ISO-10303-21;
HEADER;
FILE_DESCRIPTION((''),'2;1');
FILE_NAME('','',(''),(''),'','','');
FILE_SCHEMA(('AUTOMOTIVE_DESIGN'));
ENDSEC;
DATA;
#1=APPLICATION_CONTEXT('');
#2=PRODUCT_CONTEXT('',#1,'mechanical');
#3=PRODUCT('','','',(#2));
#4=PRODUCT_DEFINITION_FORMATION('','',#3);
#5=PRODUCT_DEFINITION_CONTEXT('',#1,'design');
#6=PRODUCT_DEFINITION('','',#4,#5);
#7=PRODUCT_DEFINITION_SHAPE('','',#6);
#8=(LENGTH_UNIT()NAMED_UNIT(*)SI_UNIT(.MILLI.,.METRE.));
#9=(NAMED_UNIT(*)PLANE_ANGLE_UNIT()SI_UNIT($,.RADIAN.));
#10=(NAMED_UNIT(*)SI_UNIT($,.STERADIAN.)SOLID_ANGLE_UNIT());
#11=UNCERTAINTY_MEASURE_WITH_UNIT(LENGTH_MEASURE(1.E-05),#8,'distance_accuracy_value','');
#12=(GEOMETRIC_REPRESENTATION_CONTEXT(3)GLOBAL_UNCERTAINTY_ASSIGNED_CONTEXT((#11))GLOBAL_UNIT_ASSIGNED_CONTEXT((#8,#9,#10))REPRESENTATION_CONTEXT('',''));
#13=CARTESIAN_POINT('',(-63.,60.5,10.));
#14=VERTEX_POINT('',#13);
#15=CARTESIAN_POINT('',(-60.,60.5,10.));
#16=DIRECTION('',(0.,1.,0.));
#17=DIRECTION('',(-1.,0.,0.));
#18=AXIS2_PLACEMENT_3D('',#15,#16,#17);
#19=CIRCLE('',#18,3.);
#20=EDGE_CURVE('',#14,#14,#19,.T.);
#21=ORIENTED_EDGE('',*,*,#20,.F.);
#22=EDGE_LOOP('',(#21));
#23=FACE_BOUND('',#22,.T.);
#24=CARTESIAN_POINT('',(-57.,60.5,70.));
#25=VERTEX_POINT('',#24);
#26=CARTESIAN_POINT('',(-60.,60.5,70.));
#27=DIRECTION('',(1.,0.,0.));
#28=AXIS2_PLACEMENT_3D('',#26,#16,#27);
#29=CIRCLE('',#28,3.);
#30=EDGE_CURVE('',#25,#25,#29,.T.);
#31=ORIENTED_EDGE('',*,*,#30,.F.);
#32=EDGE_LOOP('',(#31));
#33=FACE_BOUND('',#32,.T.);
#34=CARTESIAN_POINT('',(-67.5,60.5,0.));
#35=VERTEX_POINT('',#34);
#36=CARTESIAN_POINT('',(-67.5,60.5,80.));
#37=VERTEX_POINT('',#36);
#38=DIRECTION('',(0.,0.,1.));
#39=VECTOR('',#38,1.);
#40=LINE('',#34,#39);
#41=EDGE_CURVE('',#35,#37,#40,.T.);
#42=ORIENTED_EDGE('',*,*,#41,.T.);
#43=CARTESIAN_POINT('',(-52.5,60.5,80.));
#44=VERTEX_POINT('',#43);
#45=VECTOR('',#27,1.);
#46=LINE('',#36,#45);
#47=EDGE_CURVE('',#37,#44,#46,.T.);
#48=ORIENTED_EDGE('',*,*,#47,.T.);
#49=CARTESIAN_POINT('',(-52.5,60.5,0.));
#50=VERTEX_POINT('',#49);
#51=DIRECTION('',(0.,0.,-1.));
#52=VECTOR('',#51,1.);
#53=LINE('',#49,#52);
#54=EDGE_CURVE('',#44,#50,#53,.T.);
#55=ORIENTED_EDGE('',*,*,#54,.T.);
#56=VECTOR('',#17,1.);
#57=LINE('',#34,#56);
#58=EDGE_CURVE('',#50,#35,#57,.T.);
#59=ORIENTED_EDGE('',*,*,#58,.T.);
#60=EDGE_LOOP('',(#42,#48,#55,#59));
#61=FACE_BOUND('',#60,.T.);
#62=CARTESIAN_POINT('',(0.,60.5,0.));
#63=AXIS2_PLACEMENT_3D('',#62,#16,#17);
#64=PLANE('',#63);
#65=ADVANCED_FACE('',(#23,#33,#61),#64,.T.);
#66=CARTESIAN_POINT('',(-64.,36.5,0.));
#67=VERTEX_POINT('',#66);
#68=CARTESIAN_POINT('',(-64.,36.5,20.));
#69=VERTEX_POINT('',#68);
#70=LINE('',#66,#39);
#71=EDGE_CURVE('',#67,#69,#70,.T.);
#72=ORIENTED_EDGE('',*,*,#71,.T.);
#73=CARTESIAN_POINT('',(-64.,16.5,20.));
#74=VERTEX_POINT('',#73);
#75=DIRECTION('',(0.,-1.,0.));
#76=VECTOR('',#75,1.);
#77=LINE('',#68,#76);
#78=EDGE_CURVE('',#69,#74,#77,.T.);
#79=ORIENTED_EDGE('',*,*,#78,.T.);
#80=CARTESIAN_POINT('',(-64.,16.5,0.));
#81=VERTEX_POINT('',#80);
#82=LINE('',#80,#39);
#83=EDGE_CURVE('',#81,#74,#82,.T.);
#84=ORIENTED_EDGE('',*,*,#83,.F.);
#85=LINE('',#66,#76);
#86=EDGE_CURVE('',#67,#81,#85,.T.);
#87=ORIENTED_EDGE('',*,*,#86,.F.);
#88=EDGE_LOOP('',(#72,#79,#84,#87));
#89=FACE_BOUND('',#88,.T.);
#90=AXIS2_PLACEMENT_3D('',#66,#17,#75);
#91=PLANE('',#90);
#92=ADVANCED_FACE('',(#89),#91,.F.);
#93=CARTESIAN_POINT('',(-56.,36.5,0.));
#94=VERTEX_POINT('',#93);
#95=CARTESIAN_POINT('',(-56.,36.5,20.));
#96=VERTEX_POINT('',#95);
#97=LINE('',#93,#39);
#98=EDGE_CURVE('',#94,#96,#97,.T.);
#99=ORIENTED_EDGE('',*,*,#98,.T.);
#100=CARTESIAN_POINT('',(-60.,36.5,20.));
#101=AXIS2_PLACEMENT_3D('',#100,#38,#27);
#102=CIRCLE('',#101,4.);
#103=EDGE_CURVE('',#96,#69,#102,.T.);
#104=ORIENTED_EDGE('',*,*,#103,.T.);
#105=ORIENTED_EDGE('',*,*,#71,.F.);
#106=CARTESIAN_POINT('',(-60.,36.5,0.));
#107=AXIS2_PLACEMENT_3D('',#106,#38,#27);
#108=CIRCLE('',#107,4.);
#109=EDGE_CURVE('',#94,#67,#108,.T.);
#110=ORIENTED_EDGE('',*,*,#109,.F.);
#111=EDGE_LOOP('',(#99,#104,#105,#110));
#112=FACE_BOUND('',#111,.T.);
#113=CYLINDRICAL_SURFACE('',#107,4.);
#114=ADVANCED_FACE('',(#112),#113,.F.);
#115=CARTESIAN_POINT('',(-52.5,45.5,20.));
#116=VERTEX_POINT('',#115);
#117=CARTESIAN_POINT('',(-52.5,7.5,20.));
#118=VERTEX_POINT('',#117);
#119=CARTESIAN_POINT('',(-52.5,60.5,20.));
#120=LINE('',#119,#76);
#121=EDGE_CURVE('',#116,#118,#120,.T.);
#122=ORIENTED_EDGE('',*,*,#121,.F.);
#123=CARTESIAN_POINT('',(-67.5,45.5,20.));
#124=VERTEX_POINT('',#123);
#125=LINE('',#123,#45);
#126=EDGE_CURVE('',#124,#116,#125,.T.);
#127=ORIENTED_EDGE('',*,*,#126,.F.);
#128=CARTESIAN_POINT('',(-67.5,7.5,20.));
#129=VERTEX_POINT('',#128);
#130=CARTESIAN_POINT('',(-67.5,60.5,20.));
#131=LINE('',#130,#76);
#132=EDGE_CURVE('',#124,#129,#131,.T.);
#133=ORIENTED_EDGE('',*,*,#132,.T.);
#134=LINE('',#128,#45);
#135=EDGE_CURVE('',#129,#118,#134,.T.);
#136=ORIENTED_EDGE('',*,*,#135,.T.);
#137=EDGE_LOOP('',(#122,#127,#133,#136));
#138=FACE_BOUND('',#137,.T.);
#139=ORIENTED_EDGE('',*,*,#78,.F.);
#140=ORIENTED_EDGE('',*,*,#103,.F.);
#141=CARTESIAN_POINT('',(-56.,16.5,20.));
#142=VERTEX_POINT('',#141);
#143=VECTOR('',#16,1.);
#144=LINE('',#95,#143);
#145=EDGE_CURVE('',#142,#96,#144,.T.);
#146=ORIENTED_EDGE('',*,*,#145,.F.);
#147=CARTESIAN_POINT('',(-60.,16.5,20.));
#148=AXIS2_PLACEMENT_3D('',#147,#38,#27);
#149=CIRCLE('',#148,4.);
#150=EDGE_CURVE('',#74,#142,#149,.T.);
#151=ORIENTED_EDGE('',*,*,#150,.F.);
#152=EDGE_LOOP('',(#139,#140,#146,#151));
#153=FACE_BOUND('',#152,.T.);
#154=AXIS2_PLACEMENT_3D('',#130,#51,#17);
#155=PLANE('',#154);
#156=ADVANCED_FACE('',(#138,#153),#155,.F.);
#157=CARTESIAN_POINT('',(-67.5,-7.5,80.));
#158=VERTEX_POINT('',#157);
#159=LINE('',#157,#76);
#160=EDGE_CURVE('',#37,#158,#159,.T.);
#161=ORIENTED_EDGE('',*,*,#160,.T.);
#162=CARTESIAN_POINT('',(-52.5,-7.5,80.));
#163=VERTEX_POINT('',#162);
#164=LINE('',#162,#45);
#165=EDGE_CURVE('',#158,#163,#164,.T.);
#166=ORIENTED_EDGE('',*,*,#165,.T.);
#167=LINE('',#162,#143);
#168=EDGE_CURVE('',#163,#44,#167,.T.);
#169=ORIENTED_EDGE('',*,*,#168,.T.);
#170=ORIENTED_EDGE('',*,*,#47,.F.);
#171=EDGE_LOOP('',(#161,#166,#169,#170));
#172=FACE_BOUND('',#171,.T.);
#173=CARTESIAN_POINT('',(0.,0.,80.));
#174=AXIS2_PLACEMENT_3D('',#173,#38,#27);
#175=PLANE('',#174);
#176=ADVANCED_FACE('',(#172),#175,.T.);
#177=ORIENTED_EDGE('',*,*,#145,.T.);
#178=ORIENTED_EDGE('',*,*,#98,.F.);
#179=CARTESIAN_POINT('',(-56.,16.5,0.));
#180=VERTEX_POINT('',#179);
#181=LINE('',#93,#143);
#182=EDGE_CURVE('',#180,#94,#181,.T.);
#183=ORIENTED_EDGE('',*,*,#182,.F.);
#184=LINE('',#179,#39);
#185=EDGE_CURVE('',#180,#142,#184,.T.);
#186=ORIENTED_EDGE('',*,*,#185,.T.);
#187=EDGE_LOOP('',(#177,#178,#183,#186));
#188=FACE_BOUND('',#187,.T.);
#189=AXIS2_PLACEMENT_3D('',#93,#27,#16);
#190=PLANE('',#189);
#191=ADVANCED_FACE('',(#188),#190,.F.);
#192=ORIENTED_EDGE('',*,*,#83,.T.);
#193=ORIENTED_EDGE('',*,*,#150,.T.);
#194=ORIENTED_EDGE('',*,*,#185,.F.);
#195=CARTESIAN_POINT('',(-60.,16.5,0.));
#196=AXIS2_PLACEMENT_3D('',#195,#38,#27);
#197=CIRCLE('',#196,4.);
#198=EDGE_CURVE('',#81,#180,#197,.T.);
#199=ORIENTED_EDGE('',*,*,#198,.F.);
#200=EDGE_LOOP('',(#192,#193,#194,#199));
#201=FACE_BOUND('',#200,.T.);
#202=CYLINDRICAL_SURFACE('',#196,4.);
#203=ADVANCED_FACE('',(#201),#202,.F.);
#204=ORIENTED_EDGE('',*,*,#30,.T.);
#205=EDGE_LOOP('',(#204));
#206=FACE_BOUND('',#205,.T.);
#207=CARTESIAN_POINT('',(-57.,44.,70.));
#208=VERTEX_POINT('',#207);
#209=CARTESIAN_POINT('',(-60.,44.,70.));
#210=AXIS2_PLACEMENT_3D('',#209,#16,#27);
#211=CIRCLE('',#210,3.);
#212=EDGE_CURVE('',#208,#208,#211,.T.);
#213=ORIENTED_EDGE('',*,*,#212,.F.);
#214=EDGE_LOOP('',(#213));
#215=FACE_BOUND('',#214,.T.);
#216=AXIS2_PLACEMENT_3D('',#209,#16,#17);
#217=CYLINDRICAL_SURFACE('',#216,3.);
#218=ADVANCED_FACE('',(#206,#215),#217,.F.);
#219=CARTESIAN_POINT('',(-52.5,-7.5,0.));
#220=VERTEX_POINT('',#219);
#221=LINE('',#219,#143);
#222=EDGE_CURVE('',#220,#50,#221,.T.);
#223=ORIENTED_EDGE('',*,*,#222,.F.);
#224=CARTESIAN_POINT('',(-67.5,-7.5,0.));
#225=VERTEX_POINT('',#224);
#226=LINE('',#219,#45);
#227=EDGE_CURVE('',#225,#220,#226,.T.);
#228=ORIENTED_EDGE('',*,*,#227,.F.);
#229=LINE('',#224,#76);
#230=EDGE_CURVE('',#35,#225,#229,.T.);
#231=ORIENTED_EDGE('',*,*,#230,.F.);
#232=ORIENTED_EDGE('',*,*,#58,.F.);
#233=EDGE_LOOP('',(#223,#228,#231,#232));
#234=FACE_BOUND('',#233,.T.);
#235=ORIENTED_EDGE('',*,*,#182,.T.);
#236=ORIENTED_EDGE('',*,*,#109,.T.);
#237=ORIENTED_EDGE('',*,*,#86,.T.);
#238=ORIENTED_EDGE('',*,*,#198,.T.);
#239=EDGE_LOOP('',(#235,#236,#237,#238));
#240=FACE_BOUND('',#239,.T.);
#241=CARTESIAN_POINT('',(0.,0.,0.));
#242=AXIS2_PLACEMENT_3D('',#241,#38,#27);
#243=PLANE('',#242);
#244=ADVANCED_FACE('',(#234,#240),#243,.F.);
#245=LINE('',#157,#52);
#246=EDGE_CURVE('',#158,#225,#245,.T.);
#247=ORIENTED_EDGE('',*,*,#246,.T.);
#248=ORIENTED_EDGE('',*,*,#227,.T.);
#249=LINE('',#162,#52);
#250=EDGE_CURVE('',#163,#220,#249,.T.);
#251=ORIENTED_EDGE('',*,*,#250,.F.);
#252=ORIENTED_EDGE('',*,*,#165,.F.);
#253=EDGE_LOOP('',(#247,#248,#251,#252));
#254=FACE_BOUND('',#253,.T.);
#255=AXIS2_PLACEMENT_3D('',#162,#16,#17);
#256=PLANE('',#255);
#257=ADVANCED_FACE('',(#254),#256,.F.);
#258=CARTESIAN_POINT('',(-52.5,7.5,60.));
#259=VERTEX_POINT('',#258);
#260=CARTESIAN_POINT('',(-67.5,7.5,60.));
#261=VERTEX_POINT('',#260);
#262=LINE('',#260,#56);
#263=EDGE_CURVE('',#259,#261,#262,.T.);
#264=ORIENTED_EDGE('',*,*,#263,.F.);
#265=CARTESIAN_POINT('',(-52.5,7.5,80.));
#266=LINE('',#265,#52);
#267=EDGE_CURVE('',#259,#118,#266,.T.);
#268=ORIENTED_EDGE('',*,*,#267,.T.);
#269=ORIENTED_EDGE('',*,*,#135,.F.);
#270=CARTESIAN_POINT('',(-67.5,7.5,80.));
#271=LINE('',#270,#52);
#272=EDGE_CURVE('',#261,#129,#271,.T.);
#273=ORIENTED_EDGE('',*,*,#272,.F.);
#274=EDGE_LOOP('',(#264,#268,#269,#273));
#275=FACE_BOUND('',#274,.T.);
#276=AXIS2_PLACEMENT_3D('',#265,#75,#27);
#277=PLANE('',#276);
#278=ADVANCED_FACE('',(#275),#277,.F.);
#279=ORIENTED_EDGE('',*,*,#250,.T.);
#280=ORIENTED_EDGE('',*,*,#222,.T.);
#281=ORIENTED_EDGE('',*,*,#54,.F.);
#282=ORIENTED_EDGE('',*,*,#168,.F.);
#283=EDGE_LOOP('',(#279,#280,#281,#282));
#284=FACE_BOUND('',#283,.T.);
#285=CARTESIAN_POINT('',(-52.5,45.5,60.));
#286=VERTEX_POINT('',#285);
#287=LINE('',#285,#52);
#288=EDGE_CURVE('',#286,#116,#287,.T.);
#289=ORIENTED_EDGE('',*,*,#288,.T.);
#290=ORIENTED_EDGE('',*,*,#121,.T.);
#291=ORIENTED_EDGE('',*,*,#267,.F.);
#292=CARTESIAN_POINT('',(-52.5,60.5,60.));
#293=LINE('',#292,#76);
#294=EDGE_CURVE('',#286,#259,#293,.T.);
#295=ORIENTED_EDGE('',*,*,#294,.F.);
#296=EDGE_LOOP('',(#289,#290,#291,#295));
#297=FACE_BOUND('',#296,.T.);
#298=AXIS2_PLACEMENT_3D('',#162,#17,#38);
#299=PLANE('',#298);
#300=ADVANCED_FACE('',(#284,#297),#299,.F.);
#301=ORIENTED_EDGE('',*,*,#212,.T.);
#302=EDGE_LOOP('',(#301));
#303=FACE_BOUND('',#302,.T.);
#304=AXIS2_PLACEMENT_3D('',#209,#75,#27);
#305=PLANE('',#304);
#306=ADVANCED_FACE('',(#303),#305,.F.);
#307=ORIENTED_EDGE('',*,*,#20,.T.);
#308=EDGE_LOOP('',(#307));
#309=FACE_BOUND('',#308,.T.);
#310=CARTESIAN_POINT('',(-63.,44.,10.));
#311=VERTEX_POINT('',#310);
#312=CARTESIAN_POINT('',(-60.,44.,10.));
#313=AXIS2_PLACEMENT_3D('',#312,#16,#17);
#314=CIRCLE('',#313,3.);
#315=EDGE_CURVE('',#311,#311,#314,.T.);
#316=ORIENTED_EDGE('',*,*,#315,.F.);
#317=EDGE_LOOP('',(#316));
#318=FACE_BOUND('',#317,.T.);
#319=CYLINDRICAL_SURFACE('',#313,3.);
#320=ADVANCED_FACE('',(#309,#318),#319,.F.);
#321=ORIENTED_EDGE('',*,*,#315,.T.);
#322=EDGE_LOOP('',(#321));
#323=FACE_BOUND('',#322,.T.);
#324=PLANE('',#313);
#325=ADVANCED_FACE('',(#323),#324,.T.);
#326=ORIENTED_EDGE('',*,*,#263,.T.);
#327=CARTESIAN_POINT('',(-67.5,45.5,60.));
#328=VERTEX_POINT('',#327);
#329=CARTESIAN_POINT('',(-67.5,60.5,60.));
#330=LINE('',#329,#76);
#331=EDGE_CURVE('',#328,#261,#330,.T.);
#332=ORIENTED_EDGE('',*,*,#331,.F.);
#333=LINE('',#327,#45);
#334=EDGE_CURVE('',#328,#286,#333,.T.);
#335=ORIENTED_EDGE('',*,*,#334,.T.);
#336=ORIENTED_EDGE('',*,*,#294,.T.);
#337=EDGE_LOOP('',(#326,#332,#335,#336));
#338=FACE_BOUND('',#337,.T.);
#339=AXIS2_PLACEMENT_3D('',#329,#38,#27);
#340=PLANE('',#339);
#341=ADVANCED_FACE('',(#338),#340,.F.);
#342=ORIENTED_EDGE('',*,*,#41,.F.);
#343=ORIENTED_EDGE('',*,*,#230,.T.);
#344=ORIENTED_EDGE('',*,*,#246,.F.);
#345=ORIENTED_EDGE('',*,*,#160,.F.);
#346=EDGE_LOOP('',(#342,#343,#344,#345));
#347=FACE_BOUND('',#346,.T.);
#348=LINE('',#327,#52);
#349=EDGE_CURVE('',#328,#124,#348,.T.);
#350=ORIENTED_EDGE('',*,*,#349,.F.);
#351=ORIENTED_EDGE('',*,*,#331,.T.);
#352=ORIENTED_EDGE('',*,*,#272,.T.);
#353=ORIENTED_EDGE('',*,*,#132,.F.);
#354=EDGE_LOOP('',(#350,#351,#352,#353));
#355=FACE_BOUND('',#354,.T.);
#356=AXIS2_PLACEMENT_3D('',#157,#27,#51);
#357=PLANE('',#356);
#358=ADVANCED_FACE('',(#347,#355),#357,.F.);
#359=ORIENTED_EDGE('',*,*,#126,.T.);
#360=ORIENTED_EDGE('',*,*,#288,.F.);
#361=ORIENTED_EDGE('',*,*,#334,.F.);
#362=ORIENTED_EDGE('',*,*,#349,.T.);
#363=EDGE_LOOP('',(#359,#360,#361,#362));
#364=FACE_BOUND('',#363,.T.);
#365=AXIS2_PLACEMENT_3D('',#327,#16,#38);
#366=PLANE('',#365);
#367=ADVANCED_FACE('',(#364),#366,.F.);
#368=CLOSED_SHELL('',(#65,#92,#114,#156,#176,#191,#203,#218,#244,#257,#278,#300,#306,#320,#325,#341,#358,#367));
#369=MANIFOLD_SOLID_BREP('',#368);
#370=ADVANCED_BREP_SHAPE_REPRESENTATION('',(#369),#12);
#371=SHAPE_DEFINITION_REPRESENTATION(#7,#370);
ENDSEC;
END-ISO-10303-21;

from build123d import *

# Parameters (mm, degrees)
ESBO_O1_W                = 15
ESBO_O1_H                = 15
RESSALTO_EXTRUS_O1_DEPTH = 80
ESBO_O2_W                = 15
ESBO_O2_H                = 20
RESSALTO_EXTRUS_O2_DEPTH = 53
CORTE_EXTRUS_O1_DEPTH    = 21
ESBO_O5_R                = 3
CORTE_EXTRUS_O2_DEPTH    = 16.5
ESBO_O6_W                = 15
ESBO_O6_H                = 15
RESSALTO_EXTRUS_O3_DEPTH = 40


with BuildPart() as part:
    # Esboço1 → Ressalto-extrusão1 (new body)
    with BuildSketch(Plane.XY):
        with Locations((-60, 0)):
            Rectangle(ESBO_O1_W, ESBO_O1_H)
    extrude(amount=RESSALTO_EXTRUS_O1_DEPTH)

    # Esboço2 → Ressalto-extrusão2 (add)
    with BuildSketch(Plane(origin=(0, 7.5, 0), x_dir=(1, 0, 0), z_dir=(0, 1, 0))):
        with Locations((-60, -10)):
            Rectangle(ESBO_O2_W, ESBO_O2_H)
        with Locations((-60, -70)):
            Rectangle(ESBO_O2_W, ESBO_O2_H)
    extrude(amount=RESSALTO_EXTRUS_O2_DEPTH)

    # Esboço4 → Corte-extrusão1 (cut, through all)
    with BuildSketch(Plane.XY.offset(20)):
        with BuildLine():
            Line((-56, 36.5), (-56, 16.5))
            ThreePointArc((-56, 16.5), (-60, 12.5), (-64, 16.5))
            Line((-64, 16.5), (-64, 36.5))
            ThreePointArc((-64, 36.5), (-60, 40.5), (-56, 36.5))
        make_face()
    extrude(amount=-CORTE_EXTRUS_O1_DEPTH, mode=Mode.SUBTRACT)

    # Esboço5 → Corte-extrusão2 (cut)
    with BuildSketch(Plane(origin=(0, 60.5, 0), x_dir=(1, 0, 0), z_dir=(0, 1, 0))):
        with Locations((-60, -10)):
            Circle(ESBO_O5_R)
        with Locations((-60, -70)):
            Circle(ESBO_O5_R)
    extrude(amount=-CORTE_EXTRUS_O2_DEPTH, mode=Mode.SUBTRACT)

    # Esboço6 → Ressalto-extrusão3 (add)
    with BuildSketch(Plane.XY.offset(20)):
        with Locations((-60, 53)):
            Rectangle(ESBO_O6_W, ESBO_O6_H)
    extrude(amount=RESSALTO_EXTRUS_O3_DEPTH)


solid = part.part
